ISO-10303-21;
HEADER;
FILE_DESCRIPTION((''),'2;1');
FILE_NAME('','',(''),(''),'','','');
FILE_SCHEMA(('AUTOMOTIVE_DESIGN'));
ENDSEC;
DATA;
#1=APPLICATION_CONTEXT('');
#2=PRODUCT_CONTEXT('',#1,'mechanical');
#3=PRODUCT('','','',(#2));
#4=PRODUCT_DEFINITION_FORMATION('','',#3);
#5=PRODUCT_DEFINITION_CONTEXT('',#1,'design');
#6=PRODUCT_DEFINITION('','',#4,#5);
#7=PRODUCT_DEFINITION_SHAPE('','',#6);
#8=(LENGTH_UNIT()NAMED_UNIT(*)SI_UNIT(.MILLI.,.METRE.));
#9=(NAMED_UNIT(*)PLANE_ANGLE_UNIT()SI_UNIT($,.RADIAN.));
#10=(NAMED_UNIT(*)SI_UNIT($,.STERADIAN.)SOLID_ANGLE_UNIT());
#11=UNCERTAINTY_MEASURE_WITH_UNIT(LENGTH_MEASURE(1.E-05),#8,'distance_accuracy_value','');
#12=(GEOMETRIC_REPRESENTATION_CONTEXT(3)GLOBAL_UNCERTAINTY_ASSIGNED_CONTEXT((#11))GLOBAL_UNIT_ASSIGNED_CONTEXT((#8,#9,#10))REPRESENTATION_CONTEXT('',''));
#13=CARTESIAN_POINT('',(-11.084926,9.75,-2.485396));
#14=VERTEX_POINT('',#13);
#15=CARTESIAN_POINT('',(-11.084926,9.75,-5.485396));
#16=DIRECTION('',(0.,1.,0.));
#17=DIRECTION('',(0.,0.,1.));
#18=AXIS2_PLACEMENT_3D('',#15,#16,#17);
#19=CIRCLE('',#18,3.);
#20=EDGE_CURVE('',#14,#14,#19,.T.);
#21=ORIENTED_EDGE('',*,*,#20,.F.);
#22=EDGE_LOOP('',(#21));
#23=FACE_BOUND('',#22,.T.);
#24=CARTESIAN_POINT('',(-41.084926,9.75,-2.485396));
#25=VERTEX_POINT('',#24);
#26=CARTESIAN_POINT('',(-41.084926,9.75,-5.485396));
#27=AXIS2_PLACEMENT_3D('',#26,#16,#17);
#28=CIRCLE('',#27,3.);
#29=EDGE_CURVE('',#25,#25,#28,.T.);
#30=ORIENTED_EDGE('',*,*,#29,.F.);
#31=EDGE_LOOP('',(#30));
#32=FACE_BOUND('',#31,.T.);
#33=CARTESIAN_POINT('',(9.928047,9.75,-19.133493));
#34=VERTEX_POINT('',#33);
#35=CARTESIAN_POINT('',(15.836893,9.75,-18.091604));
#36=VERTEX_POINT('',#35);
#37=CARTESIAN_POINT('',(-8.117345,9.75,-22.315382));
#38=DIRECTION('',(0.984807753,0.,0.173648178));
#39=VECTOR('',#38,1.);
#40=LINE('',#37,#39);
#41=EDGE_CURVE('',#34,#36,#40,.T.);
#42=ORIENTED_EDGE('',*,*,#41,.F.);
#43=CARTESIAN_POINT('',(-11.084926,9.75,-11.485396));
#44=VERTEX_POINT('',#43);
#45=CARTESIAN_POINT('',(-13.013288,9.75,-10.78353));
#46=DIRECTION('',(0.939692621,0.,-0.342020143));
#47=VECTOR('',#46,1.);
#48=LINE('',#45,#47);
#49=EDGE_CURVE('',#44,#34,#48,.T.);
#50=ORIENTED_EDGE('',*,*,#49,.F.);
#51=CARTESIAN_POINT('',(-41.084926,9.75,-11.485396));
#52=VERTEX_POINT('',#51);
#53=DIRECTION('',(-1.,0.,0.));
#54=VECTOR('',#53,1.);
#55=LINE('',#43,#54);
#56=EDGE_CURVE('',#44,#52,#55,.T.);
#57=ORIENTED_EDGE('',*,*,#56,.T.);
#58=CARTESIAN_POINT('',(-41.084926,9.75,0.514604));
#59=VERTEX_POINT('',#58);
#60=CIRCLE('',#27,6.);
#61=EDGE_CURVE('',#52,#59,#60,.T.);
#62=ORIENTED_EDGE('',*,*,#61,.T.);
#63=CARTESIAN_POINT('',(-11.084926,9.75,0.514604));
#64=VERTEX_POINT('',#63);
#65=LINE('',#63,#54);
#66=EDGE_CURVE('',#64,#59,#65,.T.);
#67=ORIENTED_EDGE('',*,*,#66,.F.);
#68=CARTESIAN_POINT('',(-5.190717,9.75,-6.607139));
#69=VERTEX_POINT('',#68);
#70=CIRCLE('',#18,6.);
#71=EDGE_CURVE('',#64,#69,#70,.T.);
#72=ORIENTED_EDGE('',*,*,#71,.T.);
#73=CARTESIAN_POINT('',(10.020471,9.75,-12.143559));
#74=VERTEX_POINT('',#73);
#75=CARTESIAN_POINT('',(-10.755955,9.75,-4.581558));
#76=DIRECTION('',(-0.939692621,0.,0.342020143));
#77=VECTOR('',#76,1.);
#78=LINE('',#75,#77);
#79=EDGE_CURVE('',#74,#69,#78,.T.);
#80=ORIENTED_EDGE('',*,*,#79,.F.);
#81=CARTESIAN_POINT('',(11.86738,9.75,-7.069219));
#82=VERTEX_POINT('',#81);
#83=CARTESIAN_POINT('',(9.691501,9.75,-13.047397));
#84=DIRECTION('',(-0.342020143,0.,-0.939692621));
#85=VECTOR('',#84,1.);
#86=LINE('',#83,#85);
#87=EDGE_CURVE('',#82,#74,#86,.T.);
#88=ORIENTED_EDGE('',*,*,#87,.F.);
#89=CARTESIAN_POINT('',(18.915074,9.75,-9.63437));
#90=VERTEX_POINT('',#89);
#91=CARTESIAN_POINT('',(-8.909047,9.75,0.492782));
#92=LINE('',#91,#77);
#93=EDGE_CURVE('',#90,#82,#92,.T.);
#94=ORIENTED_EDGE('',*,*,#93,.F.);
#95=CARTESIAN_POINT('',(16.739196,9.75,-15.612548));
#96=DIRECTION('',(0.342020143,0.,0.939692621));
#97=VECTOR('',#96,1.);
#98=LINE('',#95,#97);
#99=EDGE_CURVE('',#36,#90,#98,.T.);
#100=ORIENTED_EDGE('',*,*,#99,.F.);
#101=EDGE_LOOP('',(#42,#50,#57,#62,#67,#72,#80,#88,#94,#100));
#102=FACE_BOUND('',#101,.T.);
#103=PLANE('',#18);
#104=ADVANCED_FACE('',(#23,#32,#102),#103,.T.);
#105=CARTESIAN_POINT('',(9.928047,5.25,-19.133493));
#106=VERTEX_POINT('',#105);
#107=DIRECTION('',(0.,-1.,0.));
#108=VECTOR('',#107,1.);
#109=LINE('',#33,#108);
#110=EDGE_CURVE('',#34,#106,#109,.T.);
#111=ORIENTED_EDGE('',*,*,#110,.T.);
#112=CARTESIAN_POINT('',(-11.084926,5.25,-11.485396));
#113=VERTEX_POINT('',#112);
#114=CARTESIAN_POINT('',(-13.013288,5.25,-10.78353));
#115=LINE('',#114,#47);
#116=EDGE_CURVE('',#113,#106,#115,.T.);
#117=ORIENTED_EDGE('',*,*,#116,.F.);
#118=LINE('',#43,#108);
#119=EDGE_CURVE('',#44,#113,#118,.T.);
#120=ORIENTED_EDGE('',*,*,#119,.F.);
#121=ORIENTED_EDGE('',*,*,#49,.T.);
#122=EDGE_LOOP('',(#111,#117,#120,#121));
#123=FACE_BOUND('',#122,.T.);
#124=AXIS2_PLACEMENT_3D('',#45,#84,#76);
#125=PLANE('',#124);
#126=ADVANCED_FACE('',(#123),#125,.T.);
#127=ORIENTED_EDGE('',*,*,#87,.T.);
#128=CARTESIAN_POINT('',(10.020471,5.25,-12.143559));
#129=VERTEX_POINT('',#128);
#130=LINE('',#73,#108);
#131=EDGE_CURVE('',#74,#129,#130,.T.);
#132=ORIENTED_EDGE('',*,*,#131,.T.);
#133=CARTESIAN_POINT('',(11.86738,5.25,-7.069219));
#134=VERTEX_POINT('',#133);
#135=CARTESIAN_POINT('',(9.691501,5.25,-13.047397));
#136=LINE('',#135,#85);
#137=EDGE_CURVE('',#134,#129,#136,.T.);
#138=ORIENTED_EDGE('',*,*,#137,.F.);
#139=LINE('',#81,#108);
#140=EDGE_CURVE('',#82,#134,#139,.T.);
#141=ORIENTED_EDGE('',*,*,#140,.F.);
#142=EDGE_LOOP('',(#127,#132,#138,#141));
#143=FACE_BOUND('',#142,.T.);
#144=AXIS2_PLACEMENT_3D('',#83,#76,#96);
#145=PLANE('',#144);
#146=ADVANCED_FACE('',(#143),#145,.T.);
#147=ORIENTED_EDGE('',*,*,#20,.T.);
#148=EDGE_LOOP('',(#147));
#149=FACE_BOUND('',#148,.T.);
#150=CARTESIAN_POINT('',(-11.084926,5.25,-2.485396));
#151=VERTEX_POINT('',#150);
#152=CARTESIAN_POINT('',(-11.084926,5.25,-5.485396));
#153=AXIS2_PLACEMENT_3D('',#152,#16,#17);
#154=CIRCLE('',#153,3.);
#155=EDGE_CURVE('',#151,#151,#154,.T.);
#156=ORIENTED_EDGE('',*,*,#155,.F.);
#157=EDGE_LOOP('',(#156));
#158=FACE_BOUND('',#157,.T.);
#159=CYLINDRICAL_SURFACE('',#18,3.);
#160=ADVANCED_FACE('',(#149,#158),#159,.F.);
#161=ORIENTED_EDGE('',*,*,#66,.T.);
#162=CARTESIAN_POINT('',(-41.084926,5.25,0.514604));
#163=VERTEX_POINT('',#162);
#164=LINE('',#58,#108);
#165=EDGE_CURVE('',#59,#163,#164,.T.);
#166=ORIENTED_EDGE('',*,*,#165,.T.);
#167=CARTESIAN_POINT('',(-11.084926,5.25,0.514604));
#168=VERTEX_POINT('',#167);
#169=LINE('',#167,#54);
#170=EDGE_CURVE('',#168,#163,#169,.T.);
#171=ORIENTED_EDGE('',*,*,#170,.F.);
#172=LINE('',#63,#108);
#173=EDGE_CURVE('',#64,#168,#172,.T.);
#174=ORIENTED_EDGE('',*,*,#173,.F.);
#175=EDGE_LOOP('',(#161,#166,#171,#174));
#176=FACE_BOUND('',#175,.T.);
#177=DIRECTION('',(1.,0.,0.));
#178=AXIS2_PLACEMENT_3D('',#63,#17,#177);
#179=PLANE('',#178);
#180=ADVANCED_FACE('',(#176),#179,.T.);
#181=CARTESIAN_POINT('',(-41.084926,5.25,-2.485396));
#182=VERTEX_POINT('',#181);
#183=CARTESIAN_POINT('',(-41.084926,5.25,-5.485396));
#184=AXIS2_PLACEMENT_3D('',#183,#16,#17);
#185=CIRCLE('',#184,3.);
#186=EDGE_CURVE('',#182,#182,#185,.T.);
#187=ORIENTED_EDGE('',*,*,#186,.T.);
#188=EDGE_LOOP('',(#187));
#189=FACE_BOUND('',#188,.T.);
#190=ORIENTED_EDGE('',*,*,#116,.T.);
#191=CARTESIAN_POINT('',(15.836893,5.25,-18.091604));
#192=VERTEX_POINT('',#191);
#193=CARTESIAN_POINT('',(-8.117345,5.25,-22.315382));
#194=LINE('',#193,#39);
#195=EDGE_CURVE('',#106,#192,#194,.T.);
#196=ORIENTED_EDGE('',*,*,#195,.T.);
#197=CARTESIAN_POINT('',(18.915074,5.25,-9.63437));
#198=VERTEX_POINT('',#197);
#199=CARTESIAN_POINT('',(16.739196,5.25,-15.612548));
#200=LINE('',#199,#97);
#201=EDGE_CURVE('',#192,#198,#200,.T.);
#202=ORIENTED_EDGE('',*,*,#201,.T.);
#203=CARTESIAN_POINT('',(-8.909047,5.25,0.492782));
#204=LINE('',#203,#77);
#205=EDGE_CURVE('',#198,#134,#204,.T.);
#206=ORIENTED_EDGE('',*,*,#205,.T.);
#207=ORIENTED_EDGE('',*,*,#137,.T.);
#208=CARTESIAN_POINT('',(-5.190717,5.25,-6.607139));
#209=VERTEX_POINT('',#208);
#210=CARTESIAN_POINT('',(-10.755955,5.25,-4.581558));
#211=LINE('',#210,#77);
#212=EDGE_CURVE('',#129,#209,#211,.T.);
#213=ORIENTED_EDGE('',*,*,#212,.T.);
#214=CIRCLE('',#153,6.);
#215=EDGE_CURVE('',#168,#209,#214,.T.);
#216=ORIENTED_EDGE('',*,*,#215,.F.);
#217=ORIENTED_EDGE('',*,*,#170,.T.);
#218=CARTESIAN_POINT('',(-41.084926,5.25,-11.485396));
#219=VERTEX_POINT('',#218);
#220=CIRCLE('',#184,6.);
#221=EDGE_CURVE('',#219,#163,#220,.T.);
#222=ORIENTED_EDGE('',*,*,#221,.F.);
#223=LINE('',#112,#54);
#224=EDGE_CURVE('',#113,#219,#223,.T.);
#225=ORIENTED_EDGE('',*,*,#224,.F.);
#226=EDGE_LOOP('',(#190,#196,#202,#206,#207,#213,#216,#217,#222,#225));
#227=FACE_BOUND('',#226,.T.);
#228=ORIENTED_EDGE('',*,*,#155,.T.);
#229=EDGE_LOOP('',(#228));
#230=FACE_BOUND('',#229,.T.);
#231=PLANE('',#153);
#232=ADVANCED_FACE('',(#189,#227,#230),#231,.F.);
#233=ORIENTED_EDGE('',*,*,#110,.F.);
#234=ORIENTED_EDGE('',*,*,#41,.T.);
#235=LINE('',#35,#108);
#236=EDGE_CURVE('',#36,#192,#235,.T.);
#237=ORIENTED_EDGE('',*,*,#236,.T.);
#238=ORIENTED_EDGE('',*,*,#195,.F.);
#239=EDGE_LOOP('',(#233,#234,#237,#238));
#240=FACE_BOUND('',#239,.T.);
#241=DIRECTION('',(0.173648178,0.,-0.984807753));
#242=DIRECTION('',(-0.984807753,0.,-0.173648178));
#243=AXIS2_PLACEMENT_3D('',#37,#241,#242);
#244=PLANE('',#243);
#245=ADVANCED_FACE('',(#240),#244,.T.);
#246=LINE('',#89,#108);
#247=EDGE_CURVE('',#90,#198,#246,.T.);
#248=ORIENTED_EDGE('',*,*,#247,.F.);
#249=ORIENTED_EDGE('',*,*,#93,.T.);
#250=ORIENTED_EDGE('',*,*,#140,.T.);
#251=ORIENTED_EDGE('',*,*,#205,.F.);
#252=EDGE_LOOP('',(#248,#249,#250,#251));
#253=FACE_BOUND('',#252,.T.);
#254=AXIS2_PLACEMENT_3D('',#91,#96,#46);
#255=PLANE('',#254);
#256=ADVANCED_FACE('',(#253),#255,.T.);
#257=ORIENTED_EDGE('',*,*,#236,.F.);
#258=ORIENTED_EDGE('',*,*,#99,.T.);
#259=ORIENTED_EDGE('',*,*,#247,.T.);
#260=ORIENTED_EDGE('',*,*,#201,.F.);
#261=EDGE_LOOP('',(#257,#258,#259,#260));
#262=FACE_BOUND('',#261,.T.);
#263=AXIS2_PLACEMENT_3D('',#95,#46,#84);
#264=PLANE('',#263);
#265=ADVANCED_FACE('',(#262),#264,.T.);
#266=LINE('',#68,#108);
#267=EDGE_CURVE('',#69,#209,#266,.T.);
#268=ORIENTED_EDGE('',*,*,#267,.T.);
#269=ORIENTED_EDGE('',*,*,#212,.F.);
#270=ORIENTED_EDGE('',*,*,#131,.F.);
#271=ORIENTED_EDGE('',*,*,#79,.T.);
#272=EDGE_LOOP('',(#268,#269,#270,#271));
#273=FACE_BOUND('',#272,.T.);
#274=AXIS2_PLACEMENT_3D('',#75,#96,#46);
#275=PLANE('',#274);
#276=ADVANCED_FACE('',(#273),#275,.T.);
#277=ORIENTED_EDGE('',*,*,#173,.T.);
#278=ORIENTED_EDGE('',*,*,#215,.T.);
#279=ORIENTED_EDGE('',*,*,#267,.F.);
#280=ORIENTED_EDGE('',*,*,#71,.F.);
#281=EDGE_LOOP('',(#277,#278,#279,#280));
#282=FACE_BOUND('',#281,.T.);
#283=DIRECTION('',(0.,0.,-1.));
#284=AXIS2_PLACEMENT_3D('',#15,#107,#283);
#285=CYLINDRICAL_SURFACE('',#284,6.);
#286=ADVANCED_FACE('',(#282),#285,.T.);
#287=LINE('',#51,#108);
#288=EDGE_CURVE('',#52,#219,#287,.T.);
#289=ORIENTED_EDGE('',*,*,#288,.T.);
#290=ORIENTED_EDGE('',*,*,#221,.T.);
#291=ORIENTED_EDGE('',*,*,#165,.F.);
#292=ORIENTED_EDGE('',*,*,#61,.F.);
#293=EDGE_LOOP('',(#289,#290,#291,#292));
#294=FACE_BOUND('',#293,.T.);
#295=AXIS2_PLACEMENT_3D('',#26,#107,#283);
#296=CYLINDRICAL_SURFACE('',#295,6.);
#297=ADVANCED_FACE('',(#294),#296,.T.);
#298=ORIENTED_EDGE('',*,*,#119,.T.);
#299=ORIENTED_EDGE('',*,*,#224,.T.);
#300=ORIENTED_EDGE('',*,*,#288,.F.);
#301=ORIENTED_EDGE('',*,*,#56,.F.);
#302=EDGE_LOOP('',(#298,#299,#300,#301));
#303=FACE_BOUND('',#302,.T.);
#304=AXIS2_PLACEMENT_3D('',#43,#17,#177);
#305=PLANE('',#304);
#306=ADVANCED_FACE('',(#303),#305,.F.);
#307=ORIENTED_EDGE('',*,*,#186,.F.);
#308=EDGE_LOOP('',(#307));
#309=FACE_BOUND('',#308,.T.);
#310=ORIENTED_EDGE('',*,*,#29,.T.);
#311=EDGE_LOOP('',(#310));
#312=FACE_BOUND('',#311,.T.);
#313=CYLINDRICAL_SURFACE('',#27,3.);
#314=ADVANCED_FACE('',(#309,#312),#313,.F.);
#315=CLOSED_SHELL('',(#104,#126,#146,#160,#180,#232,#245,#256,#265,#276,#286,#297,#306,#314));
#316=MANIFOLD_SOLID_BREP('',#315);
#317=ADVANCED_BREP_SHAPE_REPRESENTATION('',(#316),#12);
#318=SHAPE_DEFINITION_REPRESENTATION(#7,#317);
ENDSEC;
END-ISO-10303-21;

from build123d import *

# Parameters (mm, degrees)
BOSS_EXTRUDE1_DEPTH = 15
F_20_0MM_1_D        = 20
SCALE_1_SCALE       = 0.3


with BuildPart() as part:
    # Sketch1 → Boss-Extrude1 (new body)
    with BuildSketch(Plane(origin=(0, 0, 0), x_dir=(1, 0, 0), z_dir=(0, 1, 0))):
        with BuildLine():
            Line((0, 20), (-100, 20))
            ThreePointArc((-100, 20), (-120, 0), (-100, -20))
            Line((-100, -20), (0, -20))
            ThreePointArc((0, -20), (20, 0), (0, 20))
        make_face()
        with BuildLine():
            ThreePointArc((0, 20), (12.75180627, 15.407512352), (19.64736126, 3.739143686))
            Line((19.64736126, 3.739143686), (70.3513219, 22.193876119))
            Line((70.3513219, 22.193876119), (76.50768448, 5.279408944))
            Line((76.50768448, 5.279408944), (100, 13.829912528))
            Line((100, 13.829912528), (89.7393957, 42.020691151))
            Line((89.7393957, 42.020691151), (70.04324064, 45.493654704))
            Line((70.04324064, 45.493654704), (0, 20))
        make_face()
    extrude(amount=BOSS_EXTRUDE1_DEPTH)

    # Ø20.0mm 맞춤핀 구멍1 (through all)
    with Locations(Plane(origin=(0, 15, 0), x_dir=(1, 0, 0), z_dir=(0, 1, 0))):
        with Locations((-100, 0), (0, 0)):
            Hole(F_20_0MM_1_D / 2)


with BuildPart() as part_1:
    # 축척1: scaled about (-15.835607979, 7.5, -7.836280523)
    add(part.part.scale(SCALE_1_SCALE).moved(Location((-11.084925585, 5.25, -5.485396366))))


solid = part_1.part
